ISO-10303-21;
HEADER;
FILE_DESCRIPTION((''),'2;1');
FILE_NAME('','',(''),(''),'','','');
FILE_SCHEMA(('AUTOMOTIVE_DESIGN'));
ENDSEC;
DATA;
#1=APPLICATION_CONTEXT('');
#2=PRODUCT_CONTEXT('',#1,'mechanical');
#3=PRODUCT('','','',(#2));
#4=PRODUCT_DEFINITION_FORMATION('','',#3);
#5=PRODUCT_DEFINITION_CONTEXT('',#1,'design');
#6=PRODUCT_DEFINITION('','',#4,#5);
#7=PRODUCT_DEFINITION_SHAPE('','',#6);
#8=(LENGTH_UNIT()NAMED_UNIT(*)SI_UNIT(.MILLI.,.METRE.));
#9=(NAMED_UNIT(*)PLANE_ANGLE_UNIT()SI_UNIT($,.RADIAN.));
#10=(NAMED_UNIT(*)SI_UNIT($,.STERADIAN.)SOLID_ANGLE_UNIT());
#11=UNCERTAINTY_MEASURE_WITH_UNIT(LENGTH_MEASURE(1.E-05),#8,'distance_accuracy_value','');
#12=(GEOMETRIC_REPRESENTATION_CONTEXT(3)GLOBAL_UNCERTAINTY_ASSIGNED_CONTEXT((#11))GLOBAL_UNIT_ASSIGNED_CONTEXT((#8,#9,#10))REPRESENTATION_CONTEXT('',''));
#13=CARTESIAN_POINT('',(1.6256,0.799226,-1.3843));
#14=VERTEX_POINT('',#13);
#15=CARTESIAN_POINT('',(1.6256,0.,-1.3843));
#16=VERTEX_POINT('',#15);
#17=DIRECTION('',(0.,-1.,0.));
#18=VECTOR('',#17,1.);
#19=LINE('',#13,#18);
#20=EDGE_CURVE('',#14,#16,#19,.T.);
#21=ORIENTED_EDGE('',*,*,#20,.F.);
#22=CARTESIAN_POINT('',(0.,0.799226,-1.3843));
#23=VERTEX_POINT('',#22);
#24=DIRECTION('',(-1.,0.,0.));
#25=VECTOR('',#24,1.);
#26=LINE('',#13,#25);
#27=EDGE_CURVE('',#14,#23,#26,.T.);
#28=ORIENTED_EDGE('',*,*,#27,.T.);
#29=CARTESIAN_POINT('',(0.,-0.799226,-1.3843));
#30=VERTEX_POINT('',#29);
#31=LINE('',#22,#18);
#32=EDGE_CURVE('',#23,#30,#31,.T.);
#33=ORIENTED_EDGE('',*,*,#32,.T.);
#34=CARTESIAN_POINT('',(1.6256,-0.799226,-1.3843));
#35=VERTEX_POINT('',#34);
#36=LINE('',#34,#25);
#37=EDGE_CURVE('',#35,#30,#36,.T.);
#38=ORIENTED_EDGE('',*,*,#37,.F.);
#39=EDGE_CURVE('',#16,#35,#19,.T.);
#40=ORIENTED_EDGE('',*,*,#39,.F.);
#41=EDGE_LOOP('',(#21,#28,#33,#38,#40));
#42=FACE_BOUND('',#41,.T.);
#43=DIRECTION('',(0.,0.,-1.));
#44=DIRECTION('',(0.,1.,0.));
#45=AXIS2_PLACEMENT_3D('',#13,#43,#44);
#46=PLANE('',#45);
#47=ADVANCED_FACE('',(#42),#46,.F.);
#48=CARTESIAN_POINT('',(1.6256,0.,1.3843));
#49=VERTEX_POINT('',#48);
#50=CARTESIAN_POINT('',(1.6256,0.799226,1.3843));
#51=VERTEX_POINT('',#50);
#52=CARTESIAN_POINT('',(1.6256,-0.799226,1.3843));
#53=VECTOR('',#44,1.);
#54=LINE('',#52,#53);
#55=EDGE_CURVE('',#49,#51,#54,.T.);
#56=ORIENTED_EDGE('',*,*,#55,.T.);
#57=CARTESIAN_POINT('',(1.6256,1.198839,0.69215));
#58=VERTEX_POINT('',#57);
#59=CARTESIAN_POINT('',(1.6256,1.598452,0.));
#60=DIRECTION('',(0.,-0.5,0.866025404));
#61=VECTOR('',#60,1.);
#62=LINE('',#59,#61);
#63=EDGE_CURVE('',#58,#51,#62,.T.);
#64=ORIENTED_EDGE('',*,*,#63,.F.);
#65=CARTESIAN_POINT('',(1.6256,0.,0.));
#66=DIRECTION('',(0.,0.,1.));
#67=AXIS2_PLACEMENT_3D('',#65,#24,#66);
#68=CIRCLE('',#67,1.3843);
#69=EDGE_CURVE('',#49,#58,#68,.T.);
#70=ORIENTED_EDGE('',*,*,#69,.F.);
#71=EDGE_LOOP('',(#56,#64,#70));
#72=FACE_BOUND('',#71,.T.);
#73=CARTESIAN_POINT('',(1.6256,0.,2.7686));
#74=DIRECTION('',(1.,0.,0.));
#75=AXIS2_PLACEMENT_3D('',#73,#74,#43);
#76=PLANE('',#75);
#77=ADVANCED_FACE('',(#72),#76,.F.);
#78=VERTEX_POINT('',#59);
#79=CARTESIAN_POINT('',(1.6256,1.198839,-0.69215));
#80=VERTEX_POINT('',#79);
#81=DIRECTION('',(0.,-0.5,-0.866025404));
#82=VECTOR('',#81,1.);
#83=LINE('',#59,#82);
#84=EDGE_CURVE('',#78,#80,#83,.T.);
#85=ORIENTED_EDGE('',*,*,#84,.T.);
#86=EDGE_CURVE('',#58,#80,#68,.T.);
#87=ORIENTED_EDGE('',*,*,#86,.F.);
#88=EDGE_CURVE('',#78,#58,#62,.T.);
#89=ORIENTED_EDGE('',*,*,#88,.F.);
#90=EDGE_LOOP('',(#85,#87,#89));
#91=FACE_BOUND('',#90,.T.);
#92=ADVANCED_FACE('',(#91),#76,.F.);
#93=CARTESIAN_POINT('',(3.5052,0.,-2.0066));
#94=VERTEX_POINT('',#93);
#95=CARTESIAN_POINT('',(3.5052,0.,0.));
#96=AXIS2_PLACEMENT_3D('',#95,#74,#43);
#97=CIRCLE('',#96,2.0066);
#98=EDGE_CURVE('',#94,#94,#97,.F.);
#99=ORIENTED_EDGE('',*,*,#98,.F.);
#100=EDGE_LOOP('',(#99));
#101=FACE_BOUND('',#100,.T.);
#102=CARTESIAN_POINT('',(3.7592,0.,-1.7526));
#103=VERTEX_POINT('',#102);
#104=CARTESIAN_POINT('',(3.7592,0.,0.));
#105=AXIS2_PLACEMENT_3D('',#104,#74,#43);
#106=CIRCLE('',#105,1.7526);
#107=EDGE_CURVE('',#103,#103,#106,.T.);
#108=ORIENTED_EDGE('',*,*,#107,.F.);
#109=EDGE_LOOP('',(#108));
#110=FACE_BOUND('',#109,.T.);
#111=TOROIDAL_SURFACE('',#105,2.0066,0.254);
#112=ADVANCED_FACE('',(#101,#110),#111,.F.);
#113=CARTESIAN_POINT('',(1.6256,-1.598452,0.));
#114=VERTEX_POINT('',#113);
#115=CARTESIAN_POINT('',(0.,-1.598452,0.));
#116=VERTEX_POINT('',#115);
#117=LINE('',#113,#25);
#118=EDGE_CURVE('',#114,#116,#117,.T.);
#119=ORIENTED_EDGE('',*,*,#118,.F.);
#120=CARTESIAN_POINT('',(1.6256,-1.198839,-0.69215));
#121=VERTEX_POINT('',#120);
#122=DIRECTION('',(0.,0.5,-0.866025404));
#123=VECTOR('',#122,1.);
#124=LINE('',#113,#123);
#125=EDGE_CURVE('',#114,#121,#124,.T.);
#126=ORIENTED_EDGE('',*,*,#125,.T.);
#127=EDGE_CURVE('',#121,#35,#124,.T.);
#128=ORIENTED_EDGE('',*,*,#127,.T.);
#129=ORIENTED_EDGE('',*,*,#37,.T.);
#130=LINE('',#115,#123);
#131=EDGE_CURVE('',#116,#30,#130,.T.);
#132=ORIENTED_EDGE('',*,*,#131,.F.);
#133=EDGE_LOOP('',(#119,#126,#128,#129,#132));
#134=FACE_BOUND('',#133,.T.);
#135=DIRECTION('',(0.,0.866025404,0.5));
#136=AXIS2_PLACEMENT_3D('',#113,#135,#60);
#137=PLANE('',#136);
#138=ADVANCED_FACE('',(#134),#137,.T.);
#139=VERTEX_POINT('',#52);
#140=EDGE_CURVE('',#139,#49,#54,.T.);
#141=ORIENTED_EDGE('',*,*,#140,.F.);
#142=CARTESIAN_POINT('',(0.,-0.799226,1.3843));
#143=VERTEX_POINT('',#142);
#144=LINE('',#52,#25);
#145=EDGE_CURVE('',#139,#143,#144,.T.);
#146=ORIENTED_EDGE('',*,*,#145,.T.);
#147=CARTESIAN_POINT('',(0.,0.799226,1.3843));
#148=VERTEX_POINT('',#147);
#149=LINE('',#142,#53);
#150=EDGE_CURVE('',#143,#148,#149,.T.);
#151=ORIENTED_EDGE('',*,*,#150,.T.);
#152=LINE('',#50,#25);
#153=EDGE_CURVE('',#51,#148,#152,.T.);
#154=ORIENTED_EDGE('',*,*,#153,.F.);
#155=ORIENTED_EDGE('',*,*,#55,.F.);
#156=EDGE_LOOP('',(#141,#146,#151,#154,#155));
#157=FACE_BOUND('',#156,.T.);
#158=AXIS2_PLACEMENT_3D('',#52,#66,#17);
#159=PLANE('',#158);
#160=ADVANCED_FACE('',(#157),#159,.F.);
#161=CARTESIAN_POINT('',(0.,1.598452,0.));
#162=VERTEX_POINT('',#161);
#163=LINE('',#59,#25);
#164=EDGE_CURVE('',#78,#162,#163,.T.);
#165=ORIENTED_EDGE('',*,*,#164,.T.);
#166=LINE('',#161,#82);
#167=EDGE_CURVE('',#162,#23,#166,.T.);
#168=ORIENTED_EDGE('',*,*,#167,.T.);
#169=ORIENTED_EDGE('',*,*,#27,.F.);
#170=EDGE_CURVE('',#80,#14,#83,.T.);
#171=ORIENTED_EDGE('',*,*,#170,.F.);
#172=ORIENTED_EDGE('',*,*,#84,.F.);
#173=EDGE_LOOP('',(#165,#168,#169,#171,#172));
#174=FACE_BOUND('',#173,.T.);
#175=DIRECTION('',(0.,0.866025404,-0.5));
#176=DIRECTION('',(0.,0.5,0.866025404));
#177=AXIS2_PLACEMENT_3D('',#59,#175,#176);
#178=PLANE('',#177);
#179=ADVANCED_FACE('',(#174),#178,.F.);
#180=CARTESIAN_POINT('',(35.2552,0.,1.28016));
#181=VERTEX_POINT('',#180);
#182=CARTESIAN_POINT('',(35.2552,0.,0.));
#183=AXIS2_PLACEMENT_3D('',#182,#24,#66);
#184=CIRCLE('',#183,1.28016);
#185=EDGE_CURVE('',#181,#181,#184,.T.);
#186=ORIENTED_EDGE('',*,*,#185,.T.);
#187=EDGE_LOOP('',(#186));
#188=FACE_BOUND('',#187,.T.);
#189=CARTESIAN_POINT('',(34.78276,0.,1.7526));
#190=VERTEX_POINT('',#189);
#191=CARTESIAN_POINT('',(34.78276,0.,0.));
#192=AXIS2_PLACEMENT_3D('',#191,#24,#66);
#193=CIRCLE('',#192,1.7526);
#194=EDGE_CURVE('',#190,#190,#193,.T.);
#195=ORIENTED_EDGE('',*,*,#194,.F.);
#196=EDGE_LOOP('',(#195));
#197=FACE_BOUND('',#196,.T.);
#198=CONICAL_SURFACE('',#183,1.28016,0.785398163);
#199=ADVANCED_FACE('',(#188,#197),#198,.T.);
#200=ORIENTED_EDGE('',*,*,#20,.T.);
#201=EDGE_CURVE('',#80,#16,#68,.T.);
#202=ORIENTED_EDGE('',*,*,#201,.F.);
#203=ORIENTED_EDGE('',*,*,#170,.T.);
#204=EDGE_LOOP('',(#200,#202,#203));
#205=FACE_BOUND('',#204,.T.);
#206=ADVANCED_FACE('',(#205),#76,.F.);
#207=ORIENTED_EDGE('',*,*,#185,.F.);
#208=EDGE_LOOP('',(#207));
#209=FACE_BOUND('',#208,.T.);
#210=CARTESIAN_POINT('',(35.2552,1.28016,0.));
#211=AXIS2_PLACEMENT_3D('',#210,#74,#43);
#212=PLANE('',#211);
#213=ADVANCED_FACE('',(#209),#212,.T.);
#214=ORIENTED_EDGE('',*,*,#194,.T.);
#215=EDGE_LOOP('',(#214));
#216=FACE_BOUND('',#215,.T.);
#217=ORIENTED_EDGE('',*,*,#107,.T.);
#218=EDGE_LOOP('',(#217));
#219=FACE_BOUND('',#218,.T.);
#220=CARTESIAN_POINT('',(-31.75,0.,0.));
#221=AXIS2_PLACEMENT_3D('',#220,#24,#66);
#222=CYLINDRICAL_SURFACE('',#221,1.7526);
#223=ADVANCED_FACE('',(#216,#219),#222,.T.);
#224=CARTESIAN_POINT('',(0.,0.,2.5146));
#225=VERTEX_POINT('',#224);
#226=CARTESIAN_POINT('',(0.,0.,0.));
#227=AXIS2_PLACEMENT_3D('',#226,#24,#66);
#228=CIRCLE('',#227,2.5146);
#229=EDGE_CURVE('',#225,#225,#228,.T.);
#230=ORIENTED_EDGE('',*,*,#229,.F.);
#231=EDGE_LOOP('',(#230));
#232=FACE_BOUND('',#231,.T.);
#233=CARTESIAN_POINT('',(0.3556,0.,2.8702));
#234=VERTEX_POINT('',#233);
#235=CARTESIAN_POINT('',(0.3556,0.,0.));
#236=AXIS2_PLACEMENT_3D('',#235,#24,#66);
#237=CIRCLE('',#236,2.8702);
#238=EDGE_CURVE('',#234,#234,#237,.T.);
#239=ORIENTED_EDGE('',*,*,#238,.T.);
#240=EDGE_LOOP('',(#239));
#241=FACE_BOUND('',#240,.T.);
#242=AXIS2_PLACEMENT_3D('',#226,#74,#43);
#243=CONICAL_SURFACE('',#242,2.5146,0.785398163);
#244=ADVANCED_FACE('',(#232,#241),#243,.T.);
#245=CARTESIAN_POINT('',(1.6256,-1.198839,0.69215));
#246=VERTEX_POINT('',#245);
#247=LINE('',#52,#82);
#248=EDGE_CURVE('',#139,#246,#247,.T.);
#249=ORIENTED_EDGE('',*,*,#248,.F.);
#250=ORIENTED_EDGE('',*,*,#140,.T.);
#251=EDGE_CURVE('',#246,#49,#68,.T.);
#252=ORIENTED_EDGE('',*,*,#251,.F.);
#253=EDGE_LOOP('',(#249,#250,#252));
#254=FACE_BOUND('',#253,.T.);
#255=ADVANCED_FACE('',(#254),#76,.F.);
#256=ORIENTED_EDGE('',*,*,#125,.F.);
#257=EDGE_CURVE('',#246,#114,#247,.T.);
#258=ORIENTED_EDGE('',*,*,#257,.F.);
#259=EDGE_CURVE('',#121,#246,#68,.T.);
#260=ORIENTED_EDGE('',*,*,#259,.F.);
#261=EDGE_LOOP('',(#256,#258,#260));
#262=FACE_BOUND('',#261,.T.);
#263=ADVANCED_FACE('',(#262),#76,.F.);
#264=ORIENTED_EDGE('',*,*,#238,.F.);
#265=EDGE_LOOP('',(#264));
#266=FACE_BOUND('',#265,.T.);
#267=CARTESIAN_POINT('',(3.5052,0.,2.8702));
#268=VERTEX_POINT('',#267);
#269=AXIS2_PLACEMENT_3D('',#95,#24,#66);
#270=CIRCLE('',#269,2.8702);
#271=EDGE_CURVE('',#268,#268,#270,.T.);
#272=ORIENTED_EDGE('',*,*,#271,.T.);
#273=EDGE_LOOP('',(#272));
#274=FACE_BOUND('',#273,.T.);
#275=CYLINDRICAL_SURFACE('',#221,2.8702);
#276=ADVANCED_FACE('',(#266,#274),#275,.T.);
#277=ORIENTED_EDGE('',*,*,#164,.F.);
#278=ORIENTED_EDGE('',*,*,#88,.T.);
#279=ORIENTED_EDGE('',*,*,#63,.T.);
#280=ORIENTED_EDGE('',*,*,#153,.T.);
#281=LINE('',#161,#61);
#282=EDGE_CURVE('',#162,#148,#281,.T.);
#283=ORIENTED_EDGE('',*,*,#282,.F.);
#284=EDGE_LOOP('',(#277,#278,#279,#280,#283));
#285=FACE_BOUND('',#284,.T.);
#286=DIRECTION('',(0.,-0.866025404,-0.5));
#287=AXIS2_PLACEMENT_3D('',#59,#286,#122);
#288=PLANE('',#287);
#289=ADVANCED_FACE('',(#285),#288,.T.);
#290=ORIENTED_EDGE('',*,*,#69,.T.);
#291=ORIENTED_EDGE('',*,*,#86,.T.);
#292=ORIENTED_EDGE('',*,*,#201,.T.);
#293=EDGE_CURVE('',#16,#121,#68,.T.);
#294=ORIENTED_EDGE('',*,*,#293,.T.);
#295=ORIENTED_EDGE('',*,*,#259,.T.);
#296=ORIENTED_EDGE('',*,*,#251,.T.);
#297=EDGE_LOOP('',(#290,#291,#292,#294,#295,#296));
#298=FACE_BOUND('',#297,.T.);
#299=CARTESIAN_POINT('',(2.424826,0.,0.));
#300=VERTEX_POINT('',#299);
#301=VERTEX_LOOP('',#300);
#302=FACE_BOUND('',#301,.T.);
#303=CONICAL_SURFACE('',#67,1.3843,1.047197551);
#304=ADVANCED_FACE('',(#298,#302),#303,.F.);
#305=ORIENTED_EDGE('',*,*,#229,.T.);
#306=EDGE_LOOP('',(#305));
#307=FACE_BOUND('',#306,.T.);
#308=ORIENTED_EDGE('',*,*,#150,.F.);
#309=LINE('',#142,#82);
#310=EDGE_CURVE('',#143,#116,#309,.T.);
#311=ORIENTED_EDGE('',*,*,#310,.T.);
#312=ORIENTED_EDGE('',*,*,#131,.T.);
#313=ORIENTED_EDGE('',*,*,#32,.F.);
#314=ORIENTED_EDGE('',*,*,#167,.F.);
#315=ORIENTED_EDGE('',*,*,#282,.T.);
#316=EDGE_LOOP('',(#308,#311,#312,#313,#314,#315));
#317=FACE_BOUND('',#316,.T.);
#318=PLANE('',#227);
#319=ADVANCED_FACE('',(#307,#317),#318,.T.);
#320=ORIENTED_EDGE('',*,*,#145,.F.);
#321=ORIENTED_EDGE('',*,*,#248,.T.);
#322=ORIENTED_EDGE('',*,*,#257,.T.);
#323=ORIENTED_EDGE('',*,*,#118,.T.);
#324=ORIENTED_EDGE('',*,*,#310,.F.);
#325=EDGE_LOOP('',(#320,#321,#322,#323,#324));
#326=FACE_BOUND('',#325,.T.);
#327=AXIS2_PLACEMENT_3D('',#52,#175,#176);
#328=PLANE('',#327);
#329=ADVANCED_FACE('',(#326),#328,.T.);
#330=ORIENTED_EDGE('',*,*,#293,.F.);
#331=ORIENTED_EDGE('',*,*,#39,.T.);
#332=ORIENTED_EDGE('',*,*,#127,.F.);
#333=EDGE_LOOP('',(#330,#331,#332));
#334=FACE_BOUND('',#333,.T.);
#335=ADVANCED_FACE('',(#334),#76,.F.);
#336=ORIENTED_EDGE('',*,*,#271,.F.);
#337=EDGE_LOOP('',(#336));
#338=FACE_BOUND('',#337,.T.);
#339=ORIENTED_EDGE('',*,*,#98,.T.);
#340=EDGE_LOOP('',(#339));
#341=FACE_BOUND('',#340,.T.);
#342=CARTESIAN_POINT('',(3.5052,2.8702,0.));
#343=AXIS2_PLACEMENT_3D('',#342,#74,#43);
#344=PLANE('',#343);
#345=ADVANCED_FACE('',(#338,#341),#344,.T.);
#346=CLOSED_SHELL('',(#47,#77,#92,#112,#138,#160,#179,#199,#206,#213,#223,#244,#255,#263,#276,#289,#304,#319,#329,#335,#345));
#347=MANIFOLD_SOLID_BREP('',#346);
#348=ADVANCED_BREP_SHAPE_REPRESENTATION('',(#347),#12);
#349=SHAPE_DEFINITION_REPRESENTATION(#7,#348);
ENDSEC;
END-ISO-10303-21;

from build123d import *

# Parameters (mm, degrees)
FILLET1_R   = 0.254
HEX_2_DEPTH = 1.6256


with BuildPart() as part:
    # BodySke → Base-Revolve (revolve)
    with BuildSketch(Plane.XY):
        Polygon((0, 0), (0, 2.5146), (0.3556, 2.8702), (3.5052, 2.8702), (3.5052, 1.7526), (34.78276, 1.7526), (35.2552, 1.28016), (35.2552, 0), align=None)
    revolve(axis=Axis((-31.75, 0, 0), (1, 0, 0)))

    # Fillet1
    fillet1_edges = [part.edges().sort_by_distance(p)[0] for p in [
        (3.5052, -1.7526, 0),
    ]]
    fillet(fillet1_edges, radius=FILLET1_R)

    # Sketch2 → Hex-PreBroach (revolve, cut)
    with BuildSketch(Plane.XY):
        Polygon((0, 1.3843), (1.6256, 1.3843), (2.424825978, 0), (0, 0), align=None)
    revolve(axis=Axis((0, 0, 0), (1, 0, 0)), mode=Mode.SUBTRACT)

    # Sketch3 → Hex 2 (cut)
    with BuildSketch(Plane(origin=(0, 0, 0), x_dir=(0, 0.5, 0.866025404), z_dir=(-1, 0, 0))):
        Polygon((0.799225978, 1.3843), (-0.799225978, 1.3843), (-1.598451955, 0), (-0.799225978, -1.3843), (0.799225978, -1.3843), (1.598451955, 0), align=None)
    extrude(amount=-HEX_2_DEPTH, mode=Mode.SUBTRACT)


solid = part.part
